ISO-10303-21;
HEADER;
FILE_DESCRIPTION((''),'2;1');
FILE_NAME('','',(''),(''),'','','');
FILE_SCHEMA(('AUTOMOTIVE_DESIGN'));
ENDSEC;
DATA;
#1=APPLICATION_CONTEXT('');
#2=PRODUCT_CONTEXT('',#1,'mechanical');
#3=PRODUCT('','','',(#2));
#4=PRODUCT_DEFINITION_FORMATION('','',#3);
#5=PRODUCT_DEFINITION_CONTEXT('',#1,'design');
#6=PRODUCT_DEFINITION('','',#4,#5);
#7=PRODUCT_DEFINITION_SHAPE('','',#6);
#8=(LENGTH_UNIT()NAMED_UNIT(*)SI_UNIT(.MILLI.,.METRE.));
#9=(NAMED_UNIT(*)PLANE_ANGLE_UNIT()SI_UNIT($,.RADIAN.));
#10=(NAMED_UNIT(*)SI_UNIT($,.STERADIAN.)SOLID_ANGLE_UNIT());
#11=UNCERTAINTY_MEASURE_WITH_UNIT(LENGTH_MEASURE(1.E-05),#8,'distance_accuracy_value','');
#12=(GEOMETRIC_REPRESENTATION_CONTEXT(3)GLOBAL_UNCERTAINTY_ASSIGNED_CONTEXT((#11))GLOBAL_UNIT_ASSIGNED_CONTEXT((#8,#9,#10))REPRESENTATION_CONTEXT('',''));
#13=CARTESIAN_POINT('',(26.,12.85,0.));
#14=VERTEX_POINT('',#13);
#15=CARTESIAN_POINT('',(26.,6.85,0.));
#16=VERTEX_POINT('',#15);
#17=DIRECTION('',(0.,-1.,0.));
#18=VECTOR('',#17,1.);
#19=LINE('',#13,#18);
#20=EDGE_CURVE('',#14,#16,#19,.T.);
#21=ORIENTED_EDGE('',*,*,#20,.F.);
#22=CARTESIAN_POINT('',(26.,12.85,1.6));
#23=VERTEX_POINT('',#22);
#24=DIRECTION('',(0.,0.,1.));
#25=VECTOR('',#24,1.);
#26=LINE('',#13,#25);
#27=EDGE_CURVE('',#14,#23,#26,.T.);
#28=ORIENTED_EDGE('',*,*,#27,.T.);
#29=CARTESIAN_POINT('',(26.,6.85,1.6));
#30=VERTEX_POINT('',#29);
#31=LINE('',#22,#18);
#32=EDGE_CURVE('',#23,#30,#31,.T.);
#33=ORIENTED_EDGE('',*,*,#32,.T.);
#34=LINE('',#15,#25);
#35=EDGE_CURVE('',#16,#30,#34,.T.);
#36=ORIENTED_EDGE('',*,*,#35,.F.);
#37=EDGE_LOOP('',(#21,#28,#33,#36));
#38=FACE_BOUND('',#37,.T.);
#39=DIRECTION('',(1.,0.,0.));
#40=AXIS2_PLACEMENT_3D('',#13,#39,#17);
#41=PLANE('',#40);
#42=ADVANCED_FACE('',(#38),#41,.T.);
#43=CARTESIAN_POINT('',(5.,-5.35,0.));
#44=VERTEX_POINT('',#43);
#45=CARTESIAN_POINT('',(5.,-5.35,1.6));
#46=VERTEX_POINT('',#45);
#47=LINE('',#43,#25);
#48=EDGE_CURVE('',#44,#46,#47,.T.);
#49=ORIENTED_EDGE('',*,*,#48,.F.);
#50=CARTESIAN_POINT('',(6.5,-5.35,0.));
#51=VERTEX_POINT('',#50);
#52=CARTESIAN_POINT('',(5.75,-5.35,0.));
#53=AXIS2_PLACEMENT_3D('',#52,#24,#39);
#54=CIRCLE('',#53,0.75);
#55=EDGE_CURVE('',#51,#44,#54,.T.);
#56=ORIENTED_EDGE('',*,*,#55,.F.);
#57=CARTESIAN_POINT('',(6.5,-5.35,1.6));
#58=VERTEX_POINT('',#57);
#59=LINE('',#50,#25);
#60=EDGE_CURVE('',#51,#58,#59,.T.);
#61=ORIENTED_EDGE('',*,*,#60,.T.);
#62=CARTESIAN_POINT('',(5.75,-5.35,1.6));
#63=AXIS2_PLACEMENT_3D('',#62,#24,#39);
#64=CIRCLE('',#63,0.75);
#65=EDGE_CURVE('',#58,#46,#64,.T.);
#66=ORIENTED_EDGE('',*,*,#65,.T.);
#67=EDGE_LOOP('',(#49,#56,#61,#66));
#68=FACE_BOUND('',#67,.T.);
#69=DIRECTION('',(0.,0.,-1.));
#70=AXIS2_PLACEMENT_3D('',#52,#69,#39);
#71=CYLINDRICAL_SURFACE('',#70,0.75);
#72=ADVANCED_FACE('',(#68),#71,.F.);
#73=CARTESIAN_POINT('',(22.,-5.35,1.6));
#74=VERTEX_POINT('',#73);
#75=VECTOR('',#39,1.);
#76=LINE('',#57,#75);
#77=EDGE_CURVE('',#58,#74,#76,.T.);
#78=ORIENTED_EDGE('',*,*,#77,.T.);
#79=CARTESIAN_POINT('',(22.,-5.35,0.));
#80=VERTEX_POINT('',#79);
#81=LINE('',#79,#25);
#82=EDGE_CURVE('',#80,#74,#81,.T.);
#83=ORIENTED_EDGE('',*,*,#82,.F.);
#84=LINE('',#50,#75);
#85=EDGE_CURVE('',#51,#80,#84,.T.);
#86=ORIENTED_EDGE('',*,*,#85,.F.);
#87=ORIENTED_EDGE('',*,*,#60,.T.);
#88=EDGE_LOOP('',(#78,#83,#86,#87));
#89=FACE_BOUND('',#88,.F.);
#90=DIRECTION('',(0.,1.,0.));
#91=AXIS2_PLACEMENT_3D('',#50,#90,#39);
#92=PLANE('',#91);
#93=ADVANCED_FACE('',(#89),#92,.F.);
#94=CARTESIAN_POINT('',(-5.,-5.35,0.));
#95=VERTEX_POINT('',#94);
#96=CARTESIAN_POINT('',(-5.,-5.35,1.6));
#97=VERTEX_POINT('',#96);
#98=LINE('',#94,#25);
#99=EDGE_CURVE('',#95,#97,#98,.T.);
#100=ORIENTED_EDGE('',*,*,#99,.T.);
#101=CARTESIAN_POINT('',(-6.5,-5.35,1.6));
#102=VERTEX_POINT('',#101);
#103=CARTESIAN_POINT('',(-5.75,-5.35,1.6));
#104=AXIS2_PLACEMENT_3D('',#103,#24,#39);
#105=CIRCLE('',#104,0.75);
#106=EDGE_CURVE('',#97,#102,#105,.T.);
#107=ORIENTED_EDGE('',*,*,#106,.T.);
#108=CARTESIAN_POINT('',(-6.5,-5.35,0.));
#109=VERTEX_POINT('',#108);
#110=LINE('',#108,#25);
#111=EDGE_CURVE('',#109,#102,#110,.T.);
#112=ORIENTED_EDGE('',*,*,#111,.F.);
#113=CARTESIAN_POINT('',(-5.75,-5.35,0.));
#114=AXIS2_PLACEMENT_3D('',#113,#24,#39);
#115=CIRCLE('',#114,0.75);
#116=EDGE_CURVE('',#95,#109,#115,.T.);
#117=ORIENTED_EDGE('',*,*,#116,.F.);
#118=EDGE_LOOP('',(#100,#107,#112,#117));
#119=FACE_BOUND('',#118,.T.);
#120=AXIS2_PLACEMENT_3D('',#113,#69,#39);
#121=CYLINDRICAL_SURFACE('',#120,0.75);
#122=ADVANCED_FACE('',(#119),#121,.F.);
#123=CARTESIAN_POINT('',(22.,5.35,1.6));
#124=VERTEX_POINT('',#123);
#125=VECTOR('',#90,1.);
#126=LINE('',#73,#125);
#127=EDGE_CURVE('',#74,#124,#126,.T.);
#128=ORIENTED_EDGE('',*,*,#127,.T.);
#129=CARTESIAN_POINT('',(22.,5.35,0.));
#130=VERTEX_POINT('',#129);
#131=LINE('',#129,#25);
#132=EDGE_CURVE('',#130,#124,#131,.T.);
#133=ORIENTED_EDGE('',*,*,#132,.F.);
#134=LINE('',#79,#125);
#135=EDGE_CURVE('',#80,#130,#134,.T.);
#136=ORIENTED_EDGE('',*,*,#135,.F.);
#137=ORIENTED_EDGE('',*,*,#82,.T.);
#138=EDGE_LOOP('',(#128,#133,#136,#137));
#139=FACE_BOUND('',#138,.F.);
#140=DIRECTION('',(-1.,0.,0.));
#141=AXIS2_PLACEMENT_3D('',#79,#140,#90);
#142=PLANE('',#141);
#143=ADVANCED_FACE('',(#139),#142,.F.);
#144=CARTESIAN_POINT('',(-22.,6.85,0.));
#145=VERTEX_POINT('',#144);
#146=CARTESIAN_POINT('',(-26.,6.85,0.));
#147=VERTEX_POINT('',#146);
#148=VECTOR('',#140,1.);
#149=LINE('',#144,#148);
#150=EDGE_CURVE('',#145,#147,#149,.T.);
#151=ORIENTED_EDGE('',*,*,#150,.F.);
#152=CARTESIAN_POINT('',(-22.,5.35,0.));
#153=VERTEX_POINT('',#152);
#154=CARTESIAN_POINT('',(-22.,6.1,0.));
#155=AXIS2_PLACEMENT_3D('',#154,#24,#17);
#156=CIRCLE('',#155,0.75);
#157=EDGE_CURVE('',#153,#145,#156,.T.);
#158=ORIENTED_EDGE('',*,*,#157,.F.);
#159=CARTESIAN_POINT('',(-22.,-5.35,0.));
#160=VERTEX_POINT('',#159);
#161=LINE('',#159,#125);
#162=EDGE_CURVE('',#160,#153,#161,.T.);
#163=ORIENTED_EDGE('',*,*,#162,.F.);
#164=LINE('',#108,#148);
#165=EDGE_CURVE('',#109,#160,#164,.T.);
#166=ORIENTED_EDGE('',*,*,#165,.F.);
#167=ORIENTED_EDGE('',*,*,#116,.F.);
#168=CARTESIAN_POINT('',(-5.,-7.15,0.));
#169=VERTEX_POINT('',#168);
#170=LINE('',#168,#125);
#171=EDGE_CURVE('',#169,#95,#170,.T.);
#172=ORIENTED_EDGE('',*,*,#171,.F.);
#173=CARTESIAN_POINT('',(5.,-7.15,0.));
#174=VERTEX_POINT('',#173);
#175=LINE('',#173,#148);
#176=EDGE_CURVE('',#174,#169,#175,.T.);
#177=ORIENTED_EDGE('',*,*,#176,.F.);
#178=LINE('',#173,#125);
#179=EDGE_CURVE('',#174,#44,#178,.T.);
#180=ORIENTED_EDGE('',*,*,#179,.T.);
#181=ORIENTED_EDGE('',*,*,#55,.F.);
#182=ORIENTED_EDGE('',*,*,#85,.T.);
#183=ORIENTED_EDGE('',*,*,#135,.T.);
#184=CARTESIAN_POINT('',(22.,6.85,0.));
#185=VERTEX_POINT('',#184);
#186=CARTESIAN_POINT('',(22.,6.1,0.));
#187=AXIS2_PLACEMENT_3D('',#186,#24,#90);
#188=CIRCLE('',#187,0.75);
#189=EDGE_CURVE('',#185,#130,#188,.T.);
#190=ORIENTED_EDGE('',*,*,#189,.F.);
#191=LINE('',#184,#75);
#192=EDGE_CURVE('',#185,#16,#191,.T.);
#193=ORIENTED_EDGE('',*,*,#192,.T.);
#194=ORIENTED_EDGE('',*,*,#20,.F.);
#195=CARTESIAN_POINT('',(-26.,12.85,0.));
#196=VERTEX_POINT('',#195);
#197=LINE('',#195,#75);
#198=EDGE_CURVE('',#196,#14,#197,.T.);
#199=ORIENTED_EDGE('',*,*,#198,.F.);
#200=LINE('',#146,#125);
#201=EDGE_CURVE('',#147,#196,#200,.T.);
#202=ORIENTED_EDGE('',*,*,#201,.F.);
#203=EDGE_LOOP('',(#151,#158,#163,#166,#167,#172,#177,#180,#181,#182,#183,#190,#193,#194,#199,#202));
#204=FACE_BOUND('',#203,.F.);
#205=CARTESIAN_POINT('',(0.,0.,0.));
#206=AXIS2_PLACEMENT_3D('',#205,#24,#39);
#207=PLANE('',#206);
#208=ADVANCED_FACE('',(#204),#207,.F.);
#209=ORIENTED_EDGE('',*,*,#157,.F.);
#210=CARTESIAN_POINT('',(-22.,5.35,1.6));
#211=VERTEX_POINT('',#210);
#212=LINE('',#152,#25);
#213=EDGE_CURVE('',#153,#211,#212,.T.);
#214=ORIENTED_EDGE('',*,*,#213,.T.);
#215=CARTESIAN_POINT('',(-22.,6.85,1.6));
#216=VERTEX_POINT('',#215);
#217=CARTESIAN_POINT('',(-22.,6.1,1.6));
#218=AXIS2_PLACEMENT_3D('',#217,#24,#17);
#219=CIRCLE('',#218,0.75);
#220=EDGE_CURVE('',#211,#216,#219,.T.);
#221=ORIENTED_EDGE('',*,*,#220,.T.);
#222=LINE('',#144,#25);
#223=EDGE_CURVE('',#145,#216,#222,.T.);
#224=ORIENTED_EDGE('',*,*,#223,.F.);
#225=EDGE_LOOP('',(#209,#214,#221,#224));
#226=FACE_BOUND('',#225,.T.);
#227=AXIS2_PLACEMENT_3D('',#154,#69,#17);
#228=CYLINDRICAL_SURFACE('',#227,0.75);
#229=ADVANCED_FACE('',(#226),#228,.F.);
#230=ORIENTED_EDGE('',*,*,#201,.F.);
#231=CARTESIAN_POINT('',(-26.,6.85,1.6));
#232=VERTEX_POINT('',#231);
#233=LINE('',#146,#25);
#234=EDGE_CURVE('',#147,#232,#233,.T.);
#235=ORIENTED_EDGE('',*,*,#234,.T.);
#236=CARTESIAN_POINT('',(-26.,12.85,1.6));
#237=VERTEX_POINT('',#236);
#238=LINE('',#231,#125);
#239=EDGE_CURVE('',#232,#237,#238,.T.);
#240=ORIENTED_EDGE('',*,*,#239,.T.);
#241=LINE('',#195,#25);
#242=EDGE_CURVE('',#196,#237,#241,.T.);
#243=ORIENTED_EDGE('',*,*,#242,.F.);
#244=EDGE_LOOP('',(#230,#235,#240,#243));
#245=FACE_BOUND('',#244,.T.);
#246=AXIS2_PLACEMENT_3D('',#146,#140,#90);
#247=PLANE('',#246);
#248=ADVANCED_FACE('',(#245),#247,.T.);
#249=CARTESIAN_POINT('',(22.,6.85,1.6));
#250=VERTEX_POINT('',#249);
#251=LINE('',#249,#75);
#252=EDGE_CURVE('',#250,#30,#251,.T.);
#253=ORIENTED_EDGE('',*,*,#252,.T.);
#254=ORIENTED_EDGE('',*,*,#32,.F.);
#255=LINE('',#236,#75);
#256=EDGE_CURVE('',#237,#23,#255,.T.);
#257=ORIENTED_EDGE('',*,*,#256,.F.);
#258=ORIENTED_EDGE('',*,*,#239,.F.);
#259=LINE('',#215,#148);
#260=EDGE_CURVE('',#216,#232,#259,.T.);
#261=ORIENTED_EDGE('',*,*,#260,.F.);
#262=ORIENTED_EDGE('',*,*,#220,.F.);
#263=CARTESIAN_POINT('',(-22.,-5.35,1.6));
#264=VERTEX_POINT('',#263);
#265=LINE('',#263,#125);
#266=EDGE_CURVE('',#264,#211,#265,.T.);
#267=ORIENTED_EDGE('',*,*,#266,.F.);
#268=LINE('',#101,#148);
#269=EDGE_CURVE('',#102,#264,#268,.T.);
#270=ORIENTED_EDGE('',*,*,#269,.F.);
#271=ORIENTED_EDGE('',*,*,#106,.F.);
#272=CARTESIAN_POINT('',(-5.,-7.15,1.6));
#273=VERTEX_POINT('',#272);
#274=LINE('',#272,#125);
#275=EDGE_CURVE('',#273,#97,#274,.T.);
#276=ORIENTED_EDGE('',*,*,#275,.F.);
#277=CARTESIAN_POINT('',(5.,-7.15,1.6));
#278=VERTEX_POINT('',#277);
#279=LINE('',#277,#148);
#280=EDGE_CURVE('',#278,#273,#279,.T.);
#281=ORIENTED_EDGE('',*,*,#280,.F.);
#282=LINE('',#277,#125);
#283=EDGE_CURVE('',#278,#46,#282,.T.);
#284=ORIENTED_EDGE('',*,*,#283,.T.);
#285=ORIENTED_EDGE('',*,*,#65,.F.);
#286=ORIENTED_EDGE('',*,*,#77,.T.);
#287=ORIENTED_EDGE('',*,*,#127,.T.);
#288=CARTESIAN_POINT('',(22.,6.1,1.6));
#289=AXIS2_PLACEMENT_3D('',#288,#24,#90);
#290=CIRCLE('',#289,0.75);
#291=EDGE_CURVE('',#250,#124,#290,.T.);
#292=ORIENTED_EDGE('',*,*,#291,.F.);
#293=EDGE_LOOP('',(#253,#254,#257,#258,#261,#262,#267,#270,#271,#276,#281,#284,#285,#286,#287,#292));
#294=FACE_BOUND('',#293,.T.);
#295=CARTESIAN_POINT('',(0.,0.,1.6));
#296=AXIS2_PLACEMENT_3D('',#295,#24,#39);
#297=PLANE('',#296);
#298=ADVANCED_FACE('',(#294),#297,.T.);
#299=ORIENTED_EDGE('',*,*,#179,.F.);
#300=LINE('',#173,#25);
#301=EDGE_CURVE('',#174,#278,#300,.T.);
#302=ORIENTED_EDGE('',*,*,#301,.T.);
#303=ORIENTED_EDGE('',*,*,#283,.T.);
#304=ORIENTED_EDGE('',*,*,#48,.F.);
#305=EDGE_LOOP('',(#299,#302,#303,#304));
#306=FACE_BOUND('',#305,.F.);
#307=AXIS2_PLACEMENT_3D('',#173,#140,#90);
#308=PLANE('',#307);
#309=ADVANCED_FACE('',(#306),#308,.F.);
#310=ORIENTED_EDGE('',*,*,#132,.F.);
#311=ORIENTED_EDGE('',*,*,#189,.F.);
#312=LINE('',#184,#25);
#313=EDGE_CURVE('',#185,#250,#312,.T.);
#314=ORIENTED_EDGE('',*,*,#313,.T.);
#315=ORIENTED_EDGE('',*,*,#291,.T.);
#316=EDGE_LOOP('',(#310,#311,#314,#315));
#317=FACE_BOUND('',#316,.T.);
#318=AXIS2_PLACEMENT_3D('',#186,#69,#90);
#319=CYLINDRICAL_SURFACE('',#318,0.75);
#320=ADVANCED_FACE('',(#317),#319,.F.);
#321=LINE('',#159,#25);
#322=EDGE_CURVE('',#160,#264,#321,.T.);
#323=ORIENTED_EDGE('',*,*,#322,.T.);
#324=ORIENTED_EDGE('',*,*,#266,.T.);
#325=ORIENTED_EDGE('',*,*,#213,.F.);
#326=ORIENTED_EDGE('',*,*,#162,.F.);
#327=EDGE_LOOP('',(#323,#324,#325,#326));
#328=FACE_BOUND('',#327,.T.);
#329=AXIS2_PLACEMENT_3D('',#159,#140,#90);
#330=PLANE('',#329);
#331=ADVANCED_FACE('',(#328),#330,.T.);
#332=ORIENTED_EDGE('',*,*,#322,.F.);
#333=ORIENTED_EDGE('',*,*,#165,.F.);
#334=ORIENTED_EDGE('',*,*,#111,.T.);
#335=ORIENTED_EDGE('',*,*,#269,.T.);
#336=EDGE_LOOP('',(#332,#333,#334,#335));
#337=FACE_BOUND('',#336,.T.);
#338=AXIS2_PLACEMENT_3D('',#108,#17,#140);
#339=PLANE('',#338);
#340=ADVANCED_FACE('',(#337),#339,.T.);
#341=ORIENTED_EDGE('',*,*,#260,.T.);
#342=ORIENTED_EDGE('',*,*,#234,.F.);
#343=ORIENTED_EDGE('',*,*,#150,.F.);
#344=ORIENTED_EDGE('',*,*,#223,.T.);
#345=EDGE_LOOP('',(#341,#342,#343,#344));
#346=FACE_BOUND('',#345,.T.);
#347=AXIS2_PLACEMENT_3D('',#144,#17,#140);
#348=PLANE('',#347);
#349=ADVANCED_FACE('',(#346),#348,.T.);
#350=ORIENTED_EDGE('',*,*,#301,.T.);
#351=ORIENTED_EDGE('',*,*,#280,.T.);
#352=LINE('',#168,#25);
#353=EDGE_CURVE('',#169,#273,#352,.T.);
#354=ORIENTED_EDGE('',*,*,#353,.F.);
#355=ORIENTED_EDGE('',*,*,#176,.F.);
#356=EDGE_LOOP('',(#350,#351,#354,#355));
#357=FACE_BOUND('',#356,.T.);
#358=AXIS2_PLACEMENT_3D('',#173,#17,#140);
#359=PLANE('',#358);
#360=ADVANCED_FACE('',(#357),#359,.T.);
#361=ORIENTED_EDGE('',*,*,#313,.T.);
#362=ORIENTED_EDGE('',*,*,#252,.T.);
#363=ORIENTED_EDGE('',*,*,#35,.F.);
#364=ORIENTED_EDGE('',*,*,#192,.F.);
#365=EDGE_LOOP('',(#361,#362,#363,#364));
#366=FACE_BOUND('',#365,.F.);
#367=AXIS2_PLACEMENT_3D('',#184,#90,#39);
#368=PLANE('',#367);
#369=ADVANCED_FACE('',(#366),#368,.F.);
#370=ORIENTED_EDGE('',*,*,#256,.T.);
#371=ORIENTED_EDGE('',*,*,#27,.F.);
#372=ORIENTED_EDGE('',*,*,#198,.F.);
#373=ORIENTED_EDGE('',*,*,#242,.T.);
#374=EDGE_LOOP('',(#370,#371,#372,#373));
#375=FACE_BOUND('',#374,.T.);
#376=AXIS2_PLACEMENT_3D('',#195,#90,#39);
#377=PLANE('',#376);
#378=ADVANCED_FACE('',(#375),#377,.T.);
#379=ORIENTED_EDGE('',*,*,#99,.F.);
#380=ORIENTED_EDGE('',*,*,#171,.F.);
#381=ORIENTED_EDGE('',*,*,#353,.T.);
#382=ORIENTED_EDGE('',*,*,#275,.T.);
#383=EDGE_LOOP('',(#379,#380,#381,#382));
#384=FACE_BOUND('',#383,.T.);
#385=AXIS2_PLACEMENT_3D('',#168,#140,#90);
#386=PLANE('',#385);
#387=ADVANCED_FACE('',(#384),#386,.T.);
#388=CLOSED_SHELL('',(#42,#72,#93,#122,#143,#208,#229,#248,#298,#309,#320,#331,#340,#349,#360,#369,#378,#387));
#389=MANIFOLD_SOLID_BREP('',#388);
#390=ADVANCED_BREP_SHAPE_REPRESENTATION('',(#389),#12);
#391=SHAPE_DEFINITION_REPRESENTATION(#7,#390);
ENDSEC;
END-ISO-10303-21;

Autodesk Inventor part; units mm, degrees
ref_plane "YZ Plane" through (0, 0, 0) normal (1, 0, 0) x (0, 1, 0)
ref_plane "XZ Plane" through (0, 0, 0) normal (0, 1, 0) x (-1, 0, 0)
ref_plane "XY Plane" through (0, 0, 0) normal (0, 0, 1) x (1, 0, 0)
sketch "Sketch1" plane through (0, 0, 0) normal (0, 0, 1) x (1, 0, 0)
  line L0 (-26, 12.85) -> (26, 12.85)
  line L1 (26, 12.85) -> (26, 6.85)
  line L2 (5, -7.15) -> (-5, -7.15)
  line L3 (-26, 6.85) -> (-26, 12.85)
  line L4 (-22, -5.35) -> (-22, 5.35)
  line L5 (22, -5.35) -> (22, 5.35)
  line L6 (-22, 6.85) -> (-26, 6.85)
  line L7 (22, 6.85) -> (26, 6.85)
  line L8 (0, 5.6029) -> (0, -5.6029) construction
  arc A0 (-22, 5.35) -> (-22, 6.85) centre (-22, 6.1) ccw
  arc A1 (22, 6.85) -> (22, 5.35) centre (22, 6.1) ccw
  line L9 (-5, -7.15) -> (-5, -5.35)
  line L10 (-6.5, -5.35) -> (-22, -5.35)
  line L11 (5, -7.15) -> (5, -5.35)
  line L12 (6.5, -5.35) -> (22, -5.35)
  arc A2 (-5, -5.35) -> (-6.5, -5.35) centre (-5.75, -5.35) ccw
  arc A3 (6.5, -5.35) -> (5, -5.35) centre (5.75, -5.35) ccw
  point P0 (0, 0)
  point P1 (0, 12.85)
  point P2 (26, 0)
  point P3 (0, 0)
  point P4 (-22, 0)
  dimension "d0" = 52
  dimension "d4" = 44
  dimension "d6" = 20
  dimension "d7" = 6
  dimension "d8" = 1.5
  dimension "d18" = 10
  dimension "d19" = 1.8
  dimension "d20" = 1.5
extrude "Extrusion1" add sketch "Sketch1" along normal blind 1.6
sketch "Sketch2" plane through (0, 0, 1.6) normal (0, 0, 1) x (1, 0, 0)
  point P0 (0, 0)
  point P1 (-15, 2.97)
  point P2 (0, 2.97)
  point P3 (15, 2.97)
  dimension "d9" = 15
  dimension "d10" = 15
equation "\"d10\" = d9"
properties part number "AK-C-C10-Insert-Board"
